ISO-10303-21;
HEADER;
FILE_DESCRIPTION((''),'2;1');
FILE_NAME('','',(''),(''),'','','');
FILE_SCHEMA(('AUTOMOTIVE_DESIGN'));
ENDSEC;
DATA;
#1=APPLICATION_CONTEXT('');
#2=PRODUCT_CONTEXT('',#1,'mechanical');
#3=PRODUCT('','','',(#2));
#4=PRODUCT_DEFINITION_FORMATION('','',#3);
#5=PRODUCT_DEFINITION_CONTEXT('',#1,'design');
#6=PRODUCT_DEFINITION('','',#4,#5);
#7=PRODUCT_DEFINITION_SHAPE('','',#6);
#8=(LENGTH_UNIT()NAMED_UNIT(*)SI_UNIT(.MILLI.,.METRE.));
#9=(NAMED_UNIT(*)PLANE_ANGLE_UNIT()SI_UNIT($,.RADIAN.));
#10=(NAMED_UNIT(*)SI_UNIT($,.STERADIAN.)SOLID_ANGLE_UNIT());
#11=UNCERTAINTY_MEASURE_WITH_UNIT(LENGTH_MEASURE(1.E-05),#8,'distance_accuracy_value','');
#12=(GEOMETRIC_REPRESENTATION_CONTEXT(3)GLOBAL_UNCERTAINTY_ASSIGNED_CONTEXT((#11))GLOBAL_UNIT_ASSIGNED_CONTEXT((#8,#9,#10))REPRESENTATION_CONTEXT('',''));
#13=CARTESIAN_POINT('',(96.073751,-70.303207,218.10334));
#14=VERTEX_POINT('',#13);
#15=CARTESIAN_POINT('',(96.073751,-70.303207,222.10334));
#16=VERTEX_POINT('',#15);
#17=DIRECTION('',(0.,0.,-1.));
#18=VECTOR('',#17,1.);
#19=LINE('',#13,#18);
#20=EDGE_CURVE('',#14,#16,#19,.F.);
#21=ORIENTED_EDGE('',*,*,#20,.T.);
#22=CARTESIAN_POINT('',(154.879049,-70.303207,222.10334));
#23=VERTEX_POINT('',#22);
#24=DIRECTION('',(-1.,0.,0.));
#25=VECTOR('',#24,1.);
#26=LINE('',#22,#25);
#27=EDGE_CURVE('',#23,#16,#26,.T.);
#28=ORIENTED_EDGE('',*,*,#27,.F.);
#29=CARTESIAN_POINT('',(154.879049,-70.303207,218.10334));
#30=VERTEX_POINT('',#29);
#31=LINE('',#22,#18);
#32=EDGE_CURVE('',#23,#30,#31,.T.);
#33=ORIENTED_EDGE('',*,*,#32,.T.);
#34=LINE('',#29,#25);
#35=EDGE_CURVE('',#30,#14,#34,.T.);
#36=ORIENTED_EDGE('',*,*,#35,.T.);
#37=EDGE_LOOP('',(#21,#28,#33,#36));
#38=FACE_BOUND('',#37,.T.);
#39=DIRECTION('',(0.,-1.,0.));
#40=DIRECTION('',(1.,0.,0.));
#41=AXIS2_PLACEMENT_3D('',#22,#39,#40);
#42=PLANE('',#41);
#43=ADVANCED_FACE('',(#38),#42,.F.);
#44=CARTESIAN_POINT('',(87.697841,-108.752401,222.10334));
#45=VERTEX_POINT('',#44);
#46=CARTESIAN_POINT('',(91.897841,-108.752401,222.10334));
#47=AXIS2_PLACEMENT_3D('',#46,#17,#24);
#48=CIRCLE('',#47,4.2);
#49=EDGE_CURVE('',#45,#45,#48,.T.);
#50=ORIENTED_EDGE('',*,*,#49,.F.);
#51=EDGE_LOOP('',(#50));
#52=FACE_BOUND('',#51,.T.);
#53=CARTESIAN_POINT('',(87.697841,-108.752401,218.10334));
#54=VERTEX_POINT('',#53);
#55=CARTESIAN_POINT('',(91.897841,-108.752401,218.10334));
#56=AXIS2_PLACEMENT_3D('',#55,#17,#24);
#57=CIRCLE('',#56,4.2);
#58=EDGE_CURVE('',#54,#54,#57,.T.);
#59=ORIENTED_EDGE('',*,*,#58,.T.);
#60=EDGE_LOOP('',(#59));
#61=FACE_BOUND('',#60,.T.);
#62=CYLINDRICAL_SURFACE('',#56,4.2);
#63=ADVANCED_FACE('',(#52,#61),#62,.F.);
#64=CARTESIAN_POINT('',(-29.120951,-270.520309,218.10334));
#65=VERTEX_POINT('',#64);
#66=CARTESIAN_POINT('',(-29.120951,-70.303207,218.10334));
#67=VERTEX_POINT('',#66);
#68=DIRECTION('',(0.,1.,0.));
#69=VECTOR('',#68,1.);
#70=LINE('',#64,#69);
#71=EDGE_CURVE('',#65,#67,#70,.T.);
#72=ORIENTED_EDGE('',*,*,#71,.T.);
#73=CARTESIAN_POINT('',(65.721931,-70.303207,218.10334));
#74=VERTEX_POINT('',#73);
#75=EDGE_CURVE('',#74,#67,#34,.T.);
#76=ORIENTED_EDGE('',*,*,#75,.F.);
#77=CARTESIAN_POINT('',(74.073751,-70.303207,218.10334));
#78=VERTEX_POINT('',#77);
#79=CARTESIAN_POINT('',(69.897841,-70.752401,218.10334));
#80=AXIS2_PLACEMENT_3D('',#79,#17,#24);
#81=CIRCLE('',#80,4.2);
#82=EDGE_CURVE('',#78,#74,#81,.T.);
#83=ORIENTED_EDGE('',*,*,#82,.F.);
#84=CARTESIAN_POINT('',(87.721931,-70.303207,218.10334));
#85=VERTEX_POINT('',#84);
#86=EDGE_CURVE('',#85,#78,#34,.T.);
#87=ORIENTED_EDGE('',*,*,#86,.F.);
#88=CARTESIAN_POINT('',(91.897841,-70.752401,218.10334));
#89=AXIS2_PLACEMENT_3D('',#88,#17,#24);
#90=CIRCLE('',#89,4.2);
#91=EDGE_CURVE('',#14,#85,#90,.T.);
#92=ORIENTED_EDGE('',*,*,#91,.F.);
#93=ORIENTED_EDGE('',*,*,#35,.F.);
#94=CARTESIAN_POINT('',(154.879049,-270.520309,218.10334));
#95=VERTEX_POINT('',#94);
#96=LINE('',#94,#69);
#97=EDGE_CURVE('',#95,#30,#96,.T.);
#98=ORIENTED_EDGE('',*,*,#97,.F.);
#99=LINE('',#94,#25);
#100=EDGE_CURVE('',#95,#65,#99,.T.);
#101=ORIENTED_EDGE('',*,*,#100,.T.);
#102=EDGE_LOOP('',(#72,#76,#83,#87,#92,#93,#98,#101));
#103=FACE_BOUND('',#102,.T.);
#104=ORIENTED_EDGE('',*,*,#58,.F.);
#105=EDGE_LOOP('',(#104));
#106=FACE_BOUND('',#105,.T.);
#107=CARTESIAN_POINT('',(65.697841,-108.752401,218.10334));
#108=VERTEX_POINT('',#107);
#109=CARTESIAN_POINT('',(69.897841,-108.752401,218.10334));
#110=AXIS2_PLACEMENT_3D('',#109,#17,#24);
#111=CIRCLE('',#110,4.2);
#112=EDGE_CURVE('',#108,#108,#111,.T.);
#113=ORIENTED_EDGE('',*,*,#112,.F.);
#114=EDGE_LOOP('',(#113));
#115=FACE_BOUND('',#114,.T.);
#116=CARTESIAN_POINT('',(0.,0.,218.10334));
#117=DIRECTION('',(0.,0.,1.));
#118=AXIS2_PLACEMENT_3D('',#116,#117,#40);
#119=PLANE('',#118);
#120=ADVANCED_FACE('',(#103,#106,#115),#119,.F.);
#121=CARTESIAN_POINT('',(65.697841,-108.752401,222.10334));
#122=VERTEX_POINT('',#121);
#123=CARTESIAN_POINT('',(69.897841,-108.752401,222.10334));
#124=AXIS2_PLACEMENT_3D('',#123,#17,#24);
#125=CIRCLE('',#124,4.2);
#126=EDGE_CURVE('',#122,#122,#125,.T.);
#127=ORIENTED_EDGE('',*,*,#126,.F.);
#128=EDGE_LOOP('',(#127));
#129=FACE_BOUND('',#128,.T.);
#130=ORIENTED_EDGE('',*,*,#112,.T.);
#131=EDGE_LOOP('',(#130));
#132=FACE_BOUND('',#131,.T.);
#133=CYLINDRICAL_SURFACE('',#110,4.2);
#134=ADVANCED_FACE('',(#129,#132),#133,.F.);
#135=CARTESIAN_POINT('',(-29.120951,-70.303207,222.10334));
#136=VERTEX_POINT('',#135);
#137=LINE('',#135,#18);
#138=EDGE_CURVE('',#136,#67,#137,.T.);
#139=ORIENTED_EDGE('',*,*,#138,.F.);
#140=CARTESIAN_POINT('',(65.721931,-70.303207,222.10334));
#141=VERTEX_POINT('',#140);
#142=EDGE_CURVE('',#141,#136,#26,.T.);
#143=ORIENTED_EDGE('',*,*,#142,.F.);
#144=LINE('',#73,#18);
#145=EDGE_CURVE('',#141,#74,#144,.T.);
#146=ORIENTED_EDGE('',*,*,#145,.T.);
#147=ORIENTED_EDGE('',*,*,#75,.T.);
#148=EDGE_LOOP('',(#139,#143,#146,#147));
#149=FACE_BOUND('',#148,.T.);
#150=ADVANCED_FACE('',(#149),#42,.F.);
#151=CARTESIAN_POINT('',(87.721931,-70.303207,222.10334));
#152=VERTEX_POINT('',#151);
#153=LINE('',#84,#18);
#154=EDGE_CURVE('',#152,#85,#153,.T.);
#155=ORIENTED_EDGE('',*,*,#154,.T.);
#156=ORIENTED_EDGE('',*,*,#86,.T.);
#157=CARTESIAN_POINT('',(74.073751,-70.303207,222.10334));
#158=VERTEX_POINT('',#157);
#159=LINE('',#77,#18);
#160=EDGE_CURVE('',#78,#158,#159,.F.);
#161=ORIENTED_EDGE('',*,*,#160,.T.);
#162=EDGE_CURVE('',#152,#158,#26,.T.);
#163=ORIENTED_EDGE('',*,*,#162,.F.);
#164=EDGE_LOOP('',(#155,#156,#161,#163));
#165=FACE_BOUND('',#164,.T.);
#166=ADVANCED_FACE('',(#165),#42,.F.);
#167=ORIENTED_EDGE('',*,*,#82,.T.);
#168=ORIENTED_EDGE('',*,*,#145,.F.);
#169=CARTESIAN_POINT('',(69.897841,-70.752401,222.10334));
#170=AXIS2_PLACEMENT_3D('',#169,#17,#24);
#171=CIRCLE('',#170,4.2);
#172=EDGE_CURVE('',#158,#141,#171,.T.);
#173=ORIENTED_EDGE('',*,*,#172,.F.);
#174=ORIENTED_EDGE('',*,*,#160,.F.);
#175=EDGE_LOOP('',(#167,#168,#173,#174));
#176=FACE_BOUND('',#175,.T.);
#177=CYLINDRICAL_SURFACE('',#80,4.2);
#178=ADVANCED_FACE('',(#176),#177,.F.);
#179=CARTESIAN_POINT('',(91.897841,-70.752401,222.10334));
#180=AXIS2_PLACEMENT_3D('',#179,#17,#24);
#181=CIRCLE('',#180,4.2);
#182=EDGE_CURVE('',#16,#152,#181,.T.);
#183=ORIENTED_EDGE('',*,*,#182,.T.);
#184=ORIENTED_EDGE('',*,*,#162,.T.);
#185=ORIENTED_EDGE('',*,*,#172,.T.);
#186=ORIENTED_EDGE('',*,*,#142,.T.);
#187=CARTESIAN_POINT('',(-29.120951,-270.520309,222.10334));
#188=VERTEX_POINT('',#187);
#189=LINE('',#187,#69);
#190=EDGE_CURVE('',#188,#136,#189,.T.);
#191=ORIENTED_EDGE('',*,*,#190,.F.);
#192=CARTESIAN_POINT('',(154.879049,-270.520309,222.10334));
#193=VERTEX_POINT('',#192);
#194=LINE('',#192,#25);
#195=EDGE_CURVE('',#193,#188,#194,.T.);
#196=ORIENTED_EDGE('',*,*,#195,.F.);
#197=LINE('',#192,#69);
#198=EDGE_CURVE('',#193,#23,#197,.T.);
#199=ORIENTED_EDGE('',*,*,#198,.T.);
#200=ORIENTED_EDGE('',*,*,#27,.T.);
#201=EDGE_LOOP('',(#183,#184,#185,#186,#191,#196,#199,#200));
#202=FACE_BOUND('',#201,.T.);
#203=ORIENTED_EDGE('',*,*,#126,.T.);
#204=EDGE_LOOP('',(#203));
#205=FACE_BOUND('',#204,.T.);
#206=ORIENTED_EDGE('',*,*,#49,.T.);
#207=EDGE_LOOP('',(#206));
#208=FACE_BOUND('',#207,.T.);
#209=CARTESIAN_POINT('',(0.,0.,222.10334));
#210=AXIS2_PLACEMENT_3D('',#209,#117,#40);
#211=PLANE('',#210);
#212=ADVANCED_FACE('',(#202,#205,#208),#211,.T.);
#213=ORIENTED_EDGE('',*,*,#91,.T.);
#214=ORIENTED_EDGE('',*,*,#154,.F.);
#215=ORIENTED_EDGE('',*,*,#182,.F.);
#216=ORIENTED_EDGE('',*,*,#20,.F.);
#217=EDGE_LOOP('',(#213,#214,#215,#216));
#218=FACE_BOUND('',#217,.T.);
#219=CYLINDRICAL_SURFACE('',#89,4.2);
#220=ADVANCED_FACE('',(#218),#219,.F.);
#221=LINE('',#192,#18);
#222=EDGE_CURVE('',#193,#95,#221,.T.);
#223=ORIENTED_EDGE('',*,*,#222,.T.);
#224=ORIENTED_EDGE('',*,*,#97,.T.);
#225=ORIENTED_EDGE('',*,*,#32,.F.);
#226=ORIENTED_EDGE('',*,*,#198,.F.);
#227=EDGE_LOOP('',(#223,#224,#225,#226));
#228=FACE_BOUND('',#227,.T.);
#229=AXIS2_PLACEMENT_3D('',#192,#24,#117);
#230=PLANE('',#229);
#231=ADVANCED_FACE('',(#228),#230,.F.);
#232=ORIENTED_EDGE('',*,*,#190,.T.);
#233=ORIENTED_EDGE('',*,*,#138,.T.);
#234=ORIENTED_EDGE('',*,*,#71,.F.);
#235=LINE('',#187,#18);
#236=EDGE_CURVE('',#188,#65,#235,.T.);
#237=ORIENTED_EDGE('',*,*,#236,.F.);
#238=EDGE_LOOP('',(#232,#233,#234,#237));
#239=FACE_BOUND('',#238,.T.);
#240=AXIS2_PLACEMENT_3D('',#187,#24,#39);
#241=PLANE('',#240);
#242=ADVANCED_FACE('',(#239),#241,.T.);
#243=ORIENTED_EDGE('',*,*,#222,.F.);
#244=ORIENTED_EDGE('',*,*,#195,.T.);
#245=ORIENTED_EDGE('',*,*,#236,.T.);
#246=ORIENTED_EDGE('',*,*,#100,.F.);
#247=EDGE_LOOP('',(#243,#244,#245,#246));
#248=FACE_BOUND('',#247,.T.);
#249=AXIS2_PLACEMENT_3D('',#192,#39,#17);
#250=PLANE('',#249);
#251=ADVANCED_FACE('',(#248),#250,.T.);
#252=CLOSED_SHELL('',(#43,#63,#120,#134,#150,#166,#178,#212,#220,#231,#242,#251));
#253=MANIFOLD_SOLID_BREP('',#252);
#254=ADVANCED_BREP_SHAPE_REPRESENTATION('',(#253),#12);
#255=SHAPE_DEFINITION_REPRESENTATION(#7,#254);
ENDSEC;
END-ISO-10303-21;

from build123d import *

# Parameters (mm, degrees)
SCHIZZO1_W                   = 184
SCHIZZO1_H                   = 200.217102587
ESTRUSIONE_ESTRUSIONE1_DEPTH = 4
M8_CLEARANCE_HOLE2_D         = 8.4


with BuildPart() as part:
    # Schizzo1 → Estrusione-Estrusione1 (new body)
    with BuildSketch(Plane.XY.offset(218.103339909)):
        with Locations((62.879048982, -170.411757868)):
            Rectangle(SCHIZZO1_W, SCHIZZO1_H)
    extrude(amount=ESTRUSIONE_ESTRUSIONE1_DEPTH)

    # M8 Clearance Hole2 (through all)
    with Locations(Plane(origin=(0, 0, 218.103339909), x_dir=(1, 0, 0), z_dir=(0, 0, -1))):
        with Locations((91.897840875, 70.752400597), (69.897840875, 70.752400597), (91.897840875, 108.752400597), (69.897840875, 108.752400597)):
            Hole(M8_CLEARANCE_HOLE2_D / 2)


solid = part.part
